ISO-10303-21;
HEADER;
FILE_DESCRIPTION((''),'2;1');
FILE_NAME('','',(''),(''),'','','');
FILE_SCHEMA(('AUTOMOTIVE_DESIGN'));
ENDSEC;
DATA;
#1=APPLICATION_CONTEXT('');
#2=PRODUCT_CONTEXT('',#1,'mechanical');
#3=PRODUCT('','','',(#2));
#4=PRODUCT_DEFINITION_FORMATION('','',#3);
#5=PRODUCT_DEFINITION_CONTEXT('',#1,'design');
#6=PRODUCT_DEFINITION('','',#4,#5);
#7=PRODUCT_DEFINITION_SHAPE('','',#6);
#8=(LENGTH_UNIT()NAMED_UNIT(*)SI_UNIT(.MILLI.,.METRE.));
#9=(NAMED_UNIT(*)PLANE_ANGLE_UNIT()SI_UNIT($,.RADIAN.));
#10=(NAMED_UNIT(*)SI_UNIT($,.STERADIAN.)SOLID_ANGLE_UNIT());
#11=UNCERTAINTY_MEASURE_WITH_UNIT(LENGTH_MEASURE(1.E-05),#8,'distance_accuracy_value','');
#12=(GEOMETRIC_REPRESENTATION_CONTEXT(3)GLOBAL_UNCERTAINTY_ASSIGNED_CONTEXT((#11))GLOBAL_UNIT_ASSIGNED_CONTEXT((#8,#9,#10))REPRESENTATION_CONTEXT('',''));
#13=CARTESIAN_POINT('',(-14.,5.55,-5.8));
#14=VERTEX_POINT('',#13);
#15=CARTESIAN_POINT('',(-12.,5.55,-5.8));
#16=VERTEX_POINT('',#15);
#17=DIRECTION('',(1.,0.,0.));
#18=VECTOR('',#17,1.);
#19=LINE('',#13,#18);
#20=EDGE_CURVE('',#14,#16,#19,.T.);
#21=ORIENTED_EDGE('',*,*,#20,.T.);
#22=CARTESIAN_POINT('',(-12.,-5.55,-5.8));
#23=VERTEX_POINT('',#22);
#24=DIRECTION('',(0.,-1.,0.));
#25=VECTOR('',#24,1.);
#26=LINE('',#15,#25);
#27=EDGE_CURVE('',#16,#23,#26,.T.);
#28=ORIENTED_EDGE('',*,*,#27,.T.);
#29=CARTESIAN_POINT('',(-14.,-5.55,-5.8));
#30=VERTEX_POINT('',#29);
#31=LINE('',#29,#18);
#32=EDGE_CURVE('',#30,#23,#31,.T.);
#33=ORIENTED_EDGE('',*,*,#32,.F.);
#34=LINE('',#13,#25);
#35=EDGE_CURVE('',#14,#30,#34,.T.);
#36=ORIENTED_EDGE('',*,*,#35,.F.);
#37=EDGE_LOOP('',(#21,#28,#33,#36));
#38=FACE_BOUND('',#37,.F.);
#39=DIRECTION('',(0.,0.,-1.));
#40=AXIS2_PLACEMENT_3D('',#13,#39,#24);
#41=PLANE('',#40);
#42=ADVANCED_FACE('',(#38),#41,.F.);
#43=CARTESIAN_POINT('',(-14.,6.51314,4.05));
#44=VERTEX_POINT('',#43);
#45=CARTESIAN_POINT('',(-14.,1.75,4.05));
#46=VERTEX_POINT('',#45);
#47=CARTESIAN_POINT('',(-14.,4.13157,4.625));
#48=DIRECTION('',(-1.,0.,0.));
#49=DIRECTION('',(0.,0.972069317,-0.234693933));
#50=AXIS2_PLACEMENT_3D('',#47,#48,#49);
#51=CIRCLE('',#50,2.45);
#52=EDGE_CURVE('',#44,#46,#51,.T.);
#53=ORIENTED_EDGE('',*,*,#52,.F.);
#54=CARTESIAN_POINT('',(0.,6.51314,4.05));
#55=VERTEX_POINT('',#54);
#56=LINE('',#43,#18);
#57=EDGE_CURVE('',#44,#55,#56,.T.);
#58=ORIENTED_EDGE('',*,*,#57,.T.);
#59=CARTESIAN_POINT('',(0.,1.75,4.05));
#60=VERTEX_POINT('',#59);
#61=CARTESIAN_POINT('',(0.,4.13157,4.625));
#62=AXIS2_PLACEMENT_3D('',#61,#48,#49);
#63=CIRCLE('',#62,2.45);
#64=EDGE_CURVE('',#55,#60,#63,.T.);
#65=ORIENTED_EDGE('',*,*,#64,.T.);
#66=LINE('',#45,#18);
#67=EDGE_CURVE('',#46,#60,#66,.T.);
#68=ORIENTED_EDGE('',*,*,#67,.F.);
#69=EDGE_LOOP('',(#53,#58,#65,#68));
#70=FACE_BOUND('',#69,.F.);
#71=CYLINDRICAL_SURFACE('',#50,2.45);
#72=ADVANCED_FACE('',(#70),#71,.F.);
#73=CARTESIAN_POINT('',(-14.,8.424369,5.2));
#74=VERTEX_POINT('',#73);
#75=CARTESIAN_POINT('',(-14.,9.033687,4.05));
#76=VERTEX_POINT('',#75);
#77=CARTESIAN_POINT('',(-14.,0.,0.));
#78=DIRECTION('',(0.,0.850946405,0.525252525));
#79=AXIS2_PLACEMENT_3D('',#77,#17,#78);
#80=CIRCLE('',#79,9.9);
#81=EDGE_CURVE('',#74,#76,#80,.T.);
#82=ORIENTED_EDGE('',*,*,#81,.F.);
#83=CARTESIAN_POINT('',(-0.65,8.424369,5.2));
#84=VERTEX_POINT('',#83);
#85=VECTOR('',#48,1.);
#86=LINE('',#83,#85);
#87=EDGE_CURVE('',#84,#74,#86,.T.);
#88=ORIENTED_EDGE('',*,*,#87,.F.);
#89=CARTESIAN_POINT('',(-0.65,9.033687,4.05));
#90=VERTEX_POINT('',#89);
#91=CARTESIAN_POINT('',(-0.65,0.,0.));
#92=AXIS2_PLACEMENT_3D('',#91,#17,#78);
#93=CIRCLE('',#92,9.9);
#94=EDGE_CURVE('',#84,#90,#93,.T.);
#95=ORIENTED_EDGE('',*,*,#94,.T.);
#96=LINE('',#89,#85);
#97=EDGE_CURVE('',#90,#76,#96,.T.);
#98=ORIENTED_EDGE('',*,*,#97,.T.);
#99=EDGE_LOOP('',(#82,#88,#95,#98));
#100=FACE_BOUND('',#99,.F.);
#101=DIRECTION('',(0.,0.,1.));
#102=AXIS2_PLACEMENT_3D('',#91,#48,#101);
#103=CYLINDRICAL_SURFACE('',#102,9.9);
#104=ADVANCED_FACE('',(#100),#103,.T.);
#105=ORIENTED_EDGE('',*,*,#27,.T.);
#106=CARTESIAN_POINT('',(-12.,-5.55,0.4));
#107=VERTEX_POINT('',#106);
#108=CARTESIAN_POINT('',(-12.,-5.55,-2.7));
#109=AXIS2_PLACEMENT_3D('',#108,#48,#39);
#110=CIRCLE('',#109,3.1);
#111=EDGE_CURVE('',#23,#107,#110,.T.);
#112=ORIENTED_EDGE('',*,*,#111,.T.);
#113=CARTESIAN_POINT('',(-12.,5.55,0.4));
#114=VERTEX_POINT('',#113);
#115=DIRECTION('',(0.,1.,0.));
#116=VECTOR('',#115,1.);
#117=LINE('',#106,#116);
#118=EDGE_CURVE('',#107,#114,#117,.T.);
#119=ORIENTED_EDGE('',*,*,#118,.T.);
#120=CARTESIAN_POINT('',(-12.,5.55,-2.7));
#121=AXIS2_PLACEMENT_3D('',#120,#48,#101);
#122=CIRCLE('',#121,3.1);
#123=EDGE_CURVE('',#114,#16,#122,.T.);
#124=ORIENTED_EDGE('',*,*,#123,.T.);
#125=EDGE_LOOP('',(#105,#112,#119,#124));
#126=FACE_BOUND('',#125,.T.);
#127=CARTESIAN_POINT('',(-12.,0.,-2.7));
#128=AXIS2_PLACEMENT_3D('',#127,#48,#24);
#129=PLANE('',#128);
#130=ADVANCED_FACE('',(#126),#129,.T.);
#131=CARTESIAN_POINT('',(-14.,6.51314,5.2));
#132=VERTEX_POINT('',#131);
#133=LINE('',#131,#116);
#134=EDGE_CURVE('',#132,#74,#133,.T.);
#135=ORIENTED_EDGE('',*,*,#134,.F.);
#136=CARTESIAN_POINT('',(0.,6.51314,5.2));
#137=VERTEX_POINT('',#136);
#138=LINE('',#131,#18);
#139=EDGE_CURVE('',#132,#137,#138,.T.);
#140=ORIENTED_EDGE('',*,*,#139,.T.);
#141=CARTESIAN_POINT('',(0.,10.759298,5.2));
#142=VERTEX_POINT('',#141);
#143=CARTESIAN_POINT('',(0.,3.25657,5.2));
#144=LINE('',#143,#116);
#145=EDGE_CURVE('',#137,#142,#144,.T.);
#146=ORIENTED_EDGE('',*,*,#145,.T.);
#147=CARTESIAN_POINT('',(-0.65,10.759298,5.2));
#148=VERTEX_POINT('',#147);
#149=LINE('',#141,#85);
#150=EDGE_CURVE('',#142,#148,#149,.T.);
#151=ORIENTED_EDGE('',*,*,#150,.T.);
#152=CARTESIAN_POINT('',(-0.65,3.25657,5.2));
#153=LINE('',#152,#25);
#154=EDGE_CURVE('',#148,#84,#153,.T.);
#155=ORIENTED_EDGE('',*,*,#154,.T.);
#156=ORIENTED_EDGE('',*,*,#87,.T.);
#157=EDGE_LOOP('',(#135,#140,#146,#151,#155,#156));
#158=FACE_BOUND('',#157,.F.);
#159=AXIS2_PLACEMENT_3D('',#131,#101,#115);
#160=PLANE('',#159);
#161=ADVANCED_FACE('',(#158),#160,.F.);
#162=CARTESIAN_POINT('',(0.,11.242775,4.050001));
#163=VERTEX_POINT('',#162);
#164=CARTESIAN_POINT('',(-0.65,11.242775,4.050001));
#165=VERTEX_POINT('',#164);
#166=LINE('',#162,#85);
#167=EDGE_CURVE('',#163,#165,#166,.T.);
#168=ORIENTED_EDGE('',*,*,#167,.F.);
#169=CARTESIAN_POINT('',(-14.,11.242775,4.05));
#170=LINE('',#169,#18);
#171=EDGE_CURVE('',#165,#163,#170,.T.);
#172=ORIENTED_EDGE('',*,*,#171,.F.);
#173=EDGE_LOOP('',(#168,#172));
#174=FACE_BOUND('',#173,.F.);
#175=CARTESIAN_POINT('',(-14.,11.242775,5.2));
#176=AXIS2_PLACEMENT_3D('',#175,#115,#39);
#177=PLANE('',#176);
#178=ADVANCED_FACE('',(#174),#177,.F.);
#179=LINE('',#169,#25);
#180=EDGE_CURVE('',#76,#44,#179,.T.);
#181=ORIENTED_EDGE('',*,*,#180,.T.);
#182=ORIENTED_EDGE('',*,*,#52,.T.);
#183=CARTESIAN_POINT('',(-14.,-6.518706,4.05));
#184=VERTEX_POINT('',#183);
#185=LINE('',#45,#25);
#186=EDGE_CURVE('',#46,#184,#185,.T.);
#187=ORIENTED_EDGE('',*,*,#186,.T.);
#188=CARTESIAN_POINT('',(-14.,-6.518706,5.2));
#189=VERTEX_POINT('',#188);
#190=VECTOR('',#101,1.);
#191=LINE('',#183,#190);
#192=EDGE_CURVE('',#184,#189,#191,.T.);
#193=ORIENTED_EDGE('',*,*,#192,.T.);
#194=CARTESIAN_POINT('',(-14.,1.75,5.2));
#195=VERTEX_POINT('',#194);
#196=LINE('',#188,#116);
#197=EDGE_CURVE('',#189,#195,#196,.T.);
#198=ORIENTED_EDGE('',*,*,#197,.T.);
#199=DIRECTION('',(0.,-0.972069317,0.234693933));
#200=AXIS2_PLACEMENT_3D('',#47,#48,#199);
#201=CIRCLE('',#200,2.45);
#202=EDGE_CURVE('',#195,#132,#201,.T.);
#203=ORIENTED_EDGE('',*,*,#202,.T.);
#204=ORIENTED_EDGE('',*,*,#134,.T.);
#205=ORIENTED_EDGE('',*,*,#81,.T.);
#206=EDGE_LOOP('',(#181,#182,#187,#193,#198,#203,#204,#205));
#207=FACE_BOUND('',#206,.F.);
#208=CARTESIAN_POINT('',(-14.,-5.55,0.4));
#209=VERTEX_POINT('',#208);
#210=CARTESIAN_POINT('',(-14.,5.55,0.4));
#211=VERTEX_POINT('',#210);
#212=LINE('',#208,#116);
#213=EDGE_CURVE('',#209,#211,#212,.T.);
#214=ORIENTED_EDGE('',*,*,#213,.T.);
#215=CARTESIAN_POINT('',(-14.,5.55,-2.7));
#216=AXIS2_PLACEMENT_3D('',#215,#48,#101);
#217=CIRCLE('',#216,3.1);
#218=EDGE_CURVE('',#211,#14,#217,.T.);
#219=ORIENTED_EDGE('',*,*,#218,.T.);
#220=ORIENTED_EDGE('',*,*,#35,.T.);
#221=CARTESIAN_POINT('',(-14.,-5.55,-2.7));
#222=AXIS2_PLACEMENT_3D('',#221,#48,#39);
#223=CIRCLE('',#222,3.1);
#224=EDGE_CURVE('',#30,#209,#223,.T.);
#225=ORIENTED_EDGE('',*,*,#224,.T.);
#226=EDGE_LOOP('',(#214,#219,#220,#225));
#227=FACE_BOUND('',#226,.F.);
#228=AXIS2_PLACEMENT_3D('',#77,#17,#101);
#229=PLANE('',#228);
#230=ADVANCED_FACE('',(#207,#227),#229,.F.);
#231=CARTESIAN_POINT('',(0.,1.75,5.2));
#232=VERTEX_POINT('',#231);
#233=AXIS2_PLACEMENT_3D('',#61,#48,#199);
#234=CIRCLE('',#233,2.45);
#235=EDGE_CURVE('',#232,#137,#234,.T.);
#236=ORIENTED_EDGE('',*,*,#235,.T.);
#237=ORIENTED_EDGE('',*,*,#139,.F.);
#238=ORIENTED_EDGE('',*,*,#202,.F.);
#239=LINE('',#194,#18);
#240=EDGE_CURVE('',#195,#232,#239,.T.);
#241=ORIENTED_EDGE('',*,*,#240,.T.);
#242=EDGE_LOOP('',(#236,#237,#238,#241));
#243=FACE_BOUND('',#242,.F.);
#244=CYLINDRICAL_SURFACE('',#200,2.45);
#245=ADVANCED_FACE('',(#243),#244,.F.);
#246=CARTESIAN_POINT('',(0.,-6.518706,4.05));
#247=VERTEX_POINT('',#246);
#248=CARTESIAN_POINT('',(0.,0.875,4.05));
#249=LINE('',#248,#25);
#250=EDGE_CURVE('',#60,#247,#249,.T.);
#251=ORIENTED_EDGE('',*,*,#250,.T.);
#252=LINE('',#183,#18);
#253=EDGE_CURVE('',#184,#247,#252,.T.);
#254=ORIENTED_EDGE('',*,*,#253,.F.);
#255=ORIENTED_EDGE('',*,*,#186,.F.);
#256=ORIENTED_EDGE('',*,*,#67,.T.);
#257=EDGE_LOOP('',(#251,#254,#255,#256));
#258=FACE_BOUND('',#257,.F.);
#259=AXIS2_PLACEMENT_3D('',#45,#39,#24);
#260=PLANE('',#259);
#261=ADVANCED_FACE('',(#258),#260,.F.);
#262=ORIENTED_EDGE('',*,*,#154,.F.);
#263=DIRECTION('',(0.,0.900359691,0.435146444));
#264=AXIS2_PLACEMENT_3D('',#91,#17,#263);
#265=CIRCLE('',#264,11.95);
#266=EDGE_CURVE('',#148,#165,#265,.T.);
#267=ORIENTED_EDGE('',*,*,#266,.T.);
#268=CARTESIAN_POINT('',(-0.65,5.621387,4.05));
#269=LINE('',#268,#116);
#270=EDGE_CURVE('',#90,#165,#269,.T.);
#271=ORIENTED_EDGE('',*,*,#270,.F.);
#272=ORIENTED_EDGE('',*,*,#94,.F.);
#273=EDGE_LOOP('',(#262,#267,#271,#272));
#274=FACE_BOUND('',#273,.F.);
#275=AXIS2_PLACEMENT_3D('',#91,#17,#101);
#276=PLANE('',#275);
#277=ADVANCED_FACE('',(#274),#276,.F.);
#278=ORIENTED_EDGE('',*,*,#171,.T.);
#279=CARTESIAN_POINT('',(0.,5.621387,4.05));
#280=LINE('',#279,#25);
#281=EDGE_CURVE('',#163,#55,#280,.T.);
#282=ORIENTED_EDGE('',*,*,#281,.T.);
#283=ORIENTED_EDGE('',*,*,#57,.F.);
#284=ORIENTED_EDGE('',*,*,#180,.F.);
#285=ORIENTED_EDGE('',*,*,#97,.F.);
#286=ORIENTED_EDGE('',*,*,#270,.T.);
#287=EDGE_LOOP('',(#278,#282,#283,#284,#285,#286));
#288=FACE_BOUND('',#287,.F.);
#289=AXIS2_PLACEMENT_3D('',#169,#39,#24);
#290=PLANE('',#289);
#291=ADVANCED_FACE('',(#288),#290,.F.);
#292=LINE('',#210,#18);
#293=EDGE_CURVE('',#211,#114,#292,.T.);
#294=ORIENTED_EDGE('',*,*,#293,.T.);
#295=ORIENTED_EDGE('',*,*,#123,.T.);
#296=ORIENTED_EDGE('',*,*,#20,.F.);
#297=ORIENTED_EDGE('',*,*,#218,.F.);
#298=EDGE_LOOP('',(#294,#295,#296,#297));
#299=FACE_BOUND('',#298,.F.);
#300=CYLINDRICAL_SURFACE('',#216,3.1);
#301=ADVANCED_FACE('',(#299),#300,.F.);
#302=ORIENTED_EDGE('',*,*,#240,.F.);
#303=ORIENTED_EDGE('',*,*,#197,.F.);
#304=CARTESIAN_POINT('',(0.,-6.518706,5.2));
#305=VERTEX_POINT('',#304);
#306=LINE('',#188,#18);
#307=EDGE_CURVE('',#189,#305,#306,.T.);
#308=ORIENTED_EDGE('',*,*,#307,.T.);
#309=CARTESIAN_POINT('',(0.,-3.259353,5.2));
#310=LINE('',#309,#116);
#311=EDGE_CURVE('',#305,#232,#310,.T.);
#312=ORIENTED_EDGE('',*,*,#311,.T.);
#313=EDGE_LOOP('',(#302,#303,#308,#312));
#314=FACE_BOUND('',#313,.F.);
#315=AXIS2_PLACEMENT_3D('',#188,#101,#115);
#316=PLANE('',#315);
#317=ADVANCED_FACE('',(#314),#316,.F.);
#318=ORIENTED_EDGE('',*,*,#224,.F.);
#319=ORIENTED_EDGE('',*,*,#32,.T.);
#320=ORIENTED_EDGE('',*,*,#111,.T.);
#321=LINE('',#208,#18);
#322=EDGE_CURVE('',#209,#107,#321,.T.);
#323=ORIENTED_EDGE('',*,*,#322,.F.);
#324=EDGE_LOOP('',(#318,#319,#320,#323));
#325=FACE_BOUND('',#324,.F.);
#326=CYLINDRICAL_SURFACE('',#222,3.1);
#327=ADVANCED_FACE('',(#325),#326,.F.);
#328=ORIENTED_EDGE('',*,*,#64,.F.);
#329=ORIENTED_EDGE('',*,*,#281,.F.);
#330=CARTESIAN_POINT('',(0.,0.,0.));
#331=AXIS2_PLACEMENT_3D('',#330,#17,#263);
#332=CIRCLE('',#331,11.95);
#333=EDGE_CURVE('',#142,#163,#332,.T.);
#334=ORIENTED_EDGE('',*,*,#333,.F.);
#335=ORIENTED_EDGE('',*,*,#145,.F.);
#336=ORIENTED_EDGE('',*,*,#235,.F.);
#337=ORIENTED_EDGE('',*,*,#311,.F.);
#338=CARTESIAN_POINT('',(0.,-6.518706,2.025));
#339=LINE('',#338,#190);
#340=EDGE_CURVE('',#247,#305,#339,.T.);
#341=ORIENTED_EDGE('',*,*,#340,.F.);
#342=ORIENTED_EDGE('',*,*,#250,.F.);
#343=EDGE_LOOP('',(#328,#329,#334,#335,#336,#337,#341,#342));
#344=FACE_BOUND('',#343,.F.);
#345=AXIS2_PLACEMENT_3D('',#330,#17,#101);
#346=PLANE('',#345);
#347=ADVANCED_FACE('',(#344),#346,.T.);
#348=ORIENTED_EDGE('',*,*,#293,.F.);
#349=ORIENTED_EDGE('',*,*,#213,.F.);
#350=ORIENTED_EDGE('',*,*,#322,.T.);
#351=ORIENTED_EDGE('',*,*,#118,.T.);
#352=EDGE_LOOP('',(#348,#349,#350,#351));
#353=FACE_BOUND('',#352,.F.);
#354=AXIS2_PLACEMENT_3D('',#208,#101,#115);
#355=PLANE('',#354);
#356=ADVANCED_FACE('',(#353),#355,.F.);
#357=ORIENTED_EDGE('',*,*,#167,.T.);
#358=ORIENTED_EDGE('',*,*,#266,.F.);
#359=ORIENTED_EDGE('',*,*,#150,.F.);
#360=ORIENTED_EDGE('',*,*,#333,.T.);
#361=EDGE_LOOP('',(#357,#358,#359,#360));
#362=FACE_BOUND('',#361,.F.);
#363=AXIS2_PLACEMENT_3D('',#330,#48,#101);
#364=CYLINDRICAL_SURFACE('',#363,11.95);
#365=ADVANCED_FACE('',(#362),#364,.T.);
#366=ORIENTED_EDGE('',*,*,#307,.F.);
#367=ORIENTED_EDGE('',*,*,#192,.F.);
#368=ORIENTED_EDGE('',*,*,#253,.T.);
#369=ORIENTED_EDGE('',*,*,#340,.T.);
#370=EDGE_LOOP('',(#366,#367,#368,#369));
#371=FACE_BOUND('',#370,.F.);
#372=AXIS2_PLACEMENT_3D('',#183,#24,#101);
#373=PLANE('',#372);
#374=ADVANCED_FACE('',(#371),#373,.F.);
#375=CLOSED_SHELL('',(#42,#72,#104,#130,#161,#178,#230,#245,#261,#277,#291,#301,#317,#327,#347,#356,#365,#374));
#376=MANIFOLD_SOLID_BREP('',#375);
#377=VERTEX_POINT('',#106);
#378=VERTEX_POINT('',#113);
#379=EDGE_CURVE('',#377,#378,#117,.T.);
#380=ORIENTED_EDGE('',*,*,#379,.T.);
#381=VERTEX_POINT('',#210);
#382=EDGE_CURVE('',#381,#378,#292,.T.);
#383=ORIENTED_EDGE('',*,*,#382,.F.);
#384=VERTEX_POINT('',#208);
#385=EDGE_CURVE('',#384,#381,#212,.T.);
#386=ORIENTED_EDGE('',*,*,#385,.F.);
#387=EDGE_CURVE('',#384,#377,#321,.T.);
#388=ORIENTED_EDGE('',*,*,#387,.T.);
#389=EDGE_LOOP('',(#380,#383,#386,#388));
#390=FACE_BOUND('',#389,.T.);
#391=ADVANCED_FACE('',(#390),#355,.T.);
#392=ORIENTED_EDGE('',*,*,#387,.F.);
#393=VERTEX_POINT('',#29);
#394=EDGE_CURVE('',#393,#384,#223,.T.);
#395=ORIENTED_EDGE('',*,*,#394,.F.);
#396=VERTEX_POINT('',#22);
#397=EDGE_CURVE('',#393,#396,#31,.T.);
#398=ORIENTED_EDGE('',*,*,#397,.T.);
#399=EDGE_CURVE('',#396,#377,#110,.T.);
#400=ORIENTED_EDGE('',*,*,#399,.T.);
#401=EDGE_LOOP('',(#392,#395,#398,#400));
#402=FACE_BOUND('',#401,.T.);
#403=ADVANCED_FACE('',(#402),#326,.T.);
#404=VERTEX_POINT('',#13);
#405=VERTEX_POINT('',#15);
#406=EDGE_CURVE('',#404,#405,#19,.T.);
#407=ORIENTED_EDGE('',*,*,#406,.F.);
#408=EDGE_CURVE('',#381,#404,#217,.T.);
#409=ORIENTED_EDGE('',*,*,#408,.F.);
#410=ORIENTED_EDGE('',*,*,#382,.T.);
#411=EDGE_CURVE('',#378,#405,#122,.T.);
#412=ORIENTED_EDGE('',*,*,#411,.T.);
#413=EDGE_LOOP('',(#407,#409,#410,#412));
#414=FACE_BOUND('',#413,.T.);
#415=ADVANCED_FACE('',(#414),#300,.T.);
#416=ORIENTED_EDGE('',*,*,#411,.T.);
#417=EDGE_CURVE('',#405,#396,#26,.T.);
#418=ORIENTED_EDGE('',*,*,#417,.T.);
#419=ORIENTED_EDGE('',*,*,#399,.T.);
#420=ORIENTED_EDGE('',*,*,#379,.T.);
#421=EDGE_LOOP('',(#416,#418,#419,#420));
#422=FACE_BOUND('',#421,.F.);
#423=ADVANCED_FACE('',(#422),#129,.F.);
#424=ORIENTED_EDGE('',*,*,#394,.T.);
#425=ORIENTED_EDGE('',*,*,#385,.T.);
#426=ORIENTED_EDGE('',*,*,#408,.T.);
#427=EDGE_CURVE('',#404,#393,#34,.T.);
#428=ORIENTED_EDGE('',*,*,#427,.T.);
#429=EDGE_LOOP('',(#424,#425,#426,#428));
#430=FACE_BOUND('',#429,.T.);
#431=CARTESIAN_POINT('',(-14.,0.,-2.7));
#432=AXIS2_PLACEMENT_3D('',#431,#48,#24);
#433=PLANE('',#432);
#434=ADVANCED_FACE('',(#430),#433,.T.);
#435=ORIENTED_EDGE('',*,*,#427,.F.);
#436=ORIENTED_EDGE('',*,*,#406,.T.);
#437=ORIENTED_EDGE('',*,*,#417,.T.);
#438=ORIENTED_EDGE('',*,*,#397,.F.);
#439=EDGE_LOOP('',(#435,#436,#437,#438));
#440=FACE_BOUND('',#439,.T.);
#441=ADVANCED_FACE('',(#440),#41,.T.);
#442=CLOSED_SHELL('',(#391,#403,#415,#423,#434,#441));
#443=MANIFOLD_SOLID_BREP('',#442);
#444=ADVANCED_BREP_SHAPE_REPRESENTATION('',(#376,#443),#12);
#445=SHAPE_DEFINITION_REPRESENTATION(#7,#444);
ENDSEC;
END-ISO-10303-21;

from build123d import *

# Parameters (mm, degrees)
F3_DEPTH = 14.001
F4_DEPTH = 14.001
F6_DEPTH = 2
F7_DEPTH = 2


with BuildPart() as f1:
    # F0 (on Front) → F1 (revolve)
    with BuildSketch(Plane.XZ):
        Polygon((-14, 0), (0, 0), (0, 11.95), (-0.65, 11.95), (-0.65, 9.9), (-14, 9.9), align=None)
    revolve(axis=Axis((-7, 0, 0), (1, 0, 0)))

    # F2 (on face) → F3 (cut, through all)
    with BuildSketch(Plane(origin=(-14, 0, 0), x_dir=(0, -1, 0), z_dir=(-1, 0, 0))):
        with BuildLine():
            Line((6.518706, 5.2), (-1.75, 5.2))
            ThreePointArc((-1.75, 5.2), (-4.13157, 7.075), (-6.51314, 5.2))
            Line((-6.51314, 5.2), (-11.242775, 5.2))
            Line((-11.242775, 5.2), (-11.242775, 4.05))
            Line((-11.242775, 4.05), (-6.51314, 4.05))
            ThreePointArc((-6.51314, 4.05), (-4.13157, 2.175), (-1.75, 4.05))
            Line((-1.75, 4.05), (6.518706, 4.05))
            Line((6.518706, 4.05), (6.518706, 5.2))
        make_face()
    extrude(amount=-F3_DEPTH, mode=Mode.SUBTRACT)

    # F2 (on face) → F4 (cut, through all)
    with BuildSketch(Plane(origin=(-14, 0, 0), x_dir=(0, -1, 0), z_dir=(-1, 0, 0))):
        with BuildLine():
            Line((6.518706, 5.2), (-1.75, 5.2))
            ThreePointArc((-1.75, 5.2), (-4.13157, 7.075), (-6.51314, 5.2))
            Line((-6.51314, 5.2), (-11.242775, 5.2))
            Line((-11.242775, 5.2), (-11.242775, 4.05))
            Line((-11.242775, 4.05), (-6.51314, 4.05))
            ThreePointArc((-6.51314, 4.05), (-4.13157, 2.175), (-1.75, 4.05))
            Line((-1.75, 4.05), (6.518706, 4.05))
            Line((6.518706, 4.05), (6.518706, 5.2))
        make_face()
    extrude(amount=-F4_DEPTH, mode=Mode.SUBTRACT)

    # F5 (on face) → F6 (cut)
    with BuildSketch(Plane(origin=(-14, 0, 0), x_dir=(0, -1, 0), z_dir=(-1, 0, 0))):
        with BuildLine():
            ThreePointArc((5.55, -5.8), (8.65, -2.7), (5.55, 0.4))
            Line((5.55, 0.4), (-5.55, 0.4))
            ThreePointArc((-5.55, 0.4), (-8.65, -2.7), (-5.55, -5.8))
            Line((-5.55, -5.8), (5.55, -5.8))
        make_face()
    extrude(amount=-F6_DEPTH, mode=Mode.SUBTRACT)


with BuildPart() as f7:
    # F5 (on face) → F7 (new body, through all)
    with BuildSketch(Plane(origin=(-14, 0, 0), x_dir=(0, -1, 0), z_dir=(-1, 0, 0))):
        with BuildLine():
            ThreePointArc((5.55, -5.8), (8.65, -2.7), (5.55, 0.4))
            Line((5.55, 0.4), (-5.55, 0.4))
            ThreePointArc((-5.55, 0.4), (-8.65, -2.7), (-5.55, -5.8))
            Line((-5.55, -5.8), (5.55, -5.8))
        make_face()
    extrude(amount=-F7_DEPTH)


solid = Compound([f1.part, f7.part])
